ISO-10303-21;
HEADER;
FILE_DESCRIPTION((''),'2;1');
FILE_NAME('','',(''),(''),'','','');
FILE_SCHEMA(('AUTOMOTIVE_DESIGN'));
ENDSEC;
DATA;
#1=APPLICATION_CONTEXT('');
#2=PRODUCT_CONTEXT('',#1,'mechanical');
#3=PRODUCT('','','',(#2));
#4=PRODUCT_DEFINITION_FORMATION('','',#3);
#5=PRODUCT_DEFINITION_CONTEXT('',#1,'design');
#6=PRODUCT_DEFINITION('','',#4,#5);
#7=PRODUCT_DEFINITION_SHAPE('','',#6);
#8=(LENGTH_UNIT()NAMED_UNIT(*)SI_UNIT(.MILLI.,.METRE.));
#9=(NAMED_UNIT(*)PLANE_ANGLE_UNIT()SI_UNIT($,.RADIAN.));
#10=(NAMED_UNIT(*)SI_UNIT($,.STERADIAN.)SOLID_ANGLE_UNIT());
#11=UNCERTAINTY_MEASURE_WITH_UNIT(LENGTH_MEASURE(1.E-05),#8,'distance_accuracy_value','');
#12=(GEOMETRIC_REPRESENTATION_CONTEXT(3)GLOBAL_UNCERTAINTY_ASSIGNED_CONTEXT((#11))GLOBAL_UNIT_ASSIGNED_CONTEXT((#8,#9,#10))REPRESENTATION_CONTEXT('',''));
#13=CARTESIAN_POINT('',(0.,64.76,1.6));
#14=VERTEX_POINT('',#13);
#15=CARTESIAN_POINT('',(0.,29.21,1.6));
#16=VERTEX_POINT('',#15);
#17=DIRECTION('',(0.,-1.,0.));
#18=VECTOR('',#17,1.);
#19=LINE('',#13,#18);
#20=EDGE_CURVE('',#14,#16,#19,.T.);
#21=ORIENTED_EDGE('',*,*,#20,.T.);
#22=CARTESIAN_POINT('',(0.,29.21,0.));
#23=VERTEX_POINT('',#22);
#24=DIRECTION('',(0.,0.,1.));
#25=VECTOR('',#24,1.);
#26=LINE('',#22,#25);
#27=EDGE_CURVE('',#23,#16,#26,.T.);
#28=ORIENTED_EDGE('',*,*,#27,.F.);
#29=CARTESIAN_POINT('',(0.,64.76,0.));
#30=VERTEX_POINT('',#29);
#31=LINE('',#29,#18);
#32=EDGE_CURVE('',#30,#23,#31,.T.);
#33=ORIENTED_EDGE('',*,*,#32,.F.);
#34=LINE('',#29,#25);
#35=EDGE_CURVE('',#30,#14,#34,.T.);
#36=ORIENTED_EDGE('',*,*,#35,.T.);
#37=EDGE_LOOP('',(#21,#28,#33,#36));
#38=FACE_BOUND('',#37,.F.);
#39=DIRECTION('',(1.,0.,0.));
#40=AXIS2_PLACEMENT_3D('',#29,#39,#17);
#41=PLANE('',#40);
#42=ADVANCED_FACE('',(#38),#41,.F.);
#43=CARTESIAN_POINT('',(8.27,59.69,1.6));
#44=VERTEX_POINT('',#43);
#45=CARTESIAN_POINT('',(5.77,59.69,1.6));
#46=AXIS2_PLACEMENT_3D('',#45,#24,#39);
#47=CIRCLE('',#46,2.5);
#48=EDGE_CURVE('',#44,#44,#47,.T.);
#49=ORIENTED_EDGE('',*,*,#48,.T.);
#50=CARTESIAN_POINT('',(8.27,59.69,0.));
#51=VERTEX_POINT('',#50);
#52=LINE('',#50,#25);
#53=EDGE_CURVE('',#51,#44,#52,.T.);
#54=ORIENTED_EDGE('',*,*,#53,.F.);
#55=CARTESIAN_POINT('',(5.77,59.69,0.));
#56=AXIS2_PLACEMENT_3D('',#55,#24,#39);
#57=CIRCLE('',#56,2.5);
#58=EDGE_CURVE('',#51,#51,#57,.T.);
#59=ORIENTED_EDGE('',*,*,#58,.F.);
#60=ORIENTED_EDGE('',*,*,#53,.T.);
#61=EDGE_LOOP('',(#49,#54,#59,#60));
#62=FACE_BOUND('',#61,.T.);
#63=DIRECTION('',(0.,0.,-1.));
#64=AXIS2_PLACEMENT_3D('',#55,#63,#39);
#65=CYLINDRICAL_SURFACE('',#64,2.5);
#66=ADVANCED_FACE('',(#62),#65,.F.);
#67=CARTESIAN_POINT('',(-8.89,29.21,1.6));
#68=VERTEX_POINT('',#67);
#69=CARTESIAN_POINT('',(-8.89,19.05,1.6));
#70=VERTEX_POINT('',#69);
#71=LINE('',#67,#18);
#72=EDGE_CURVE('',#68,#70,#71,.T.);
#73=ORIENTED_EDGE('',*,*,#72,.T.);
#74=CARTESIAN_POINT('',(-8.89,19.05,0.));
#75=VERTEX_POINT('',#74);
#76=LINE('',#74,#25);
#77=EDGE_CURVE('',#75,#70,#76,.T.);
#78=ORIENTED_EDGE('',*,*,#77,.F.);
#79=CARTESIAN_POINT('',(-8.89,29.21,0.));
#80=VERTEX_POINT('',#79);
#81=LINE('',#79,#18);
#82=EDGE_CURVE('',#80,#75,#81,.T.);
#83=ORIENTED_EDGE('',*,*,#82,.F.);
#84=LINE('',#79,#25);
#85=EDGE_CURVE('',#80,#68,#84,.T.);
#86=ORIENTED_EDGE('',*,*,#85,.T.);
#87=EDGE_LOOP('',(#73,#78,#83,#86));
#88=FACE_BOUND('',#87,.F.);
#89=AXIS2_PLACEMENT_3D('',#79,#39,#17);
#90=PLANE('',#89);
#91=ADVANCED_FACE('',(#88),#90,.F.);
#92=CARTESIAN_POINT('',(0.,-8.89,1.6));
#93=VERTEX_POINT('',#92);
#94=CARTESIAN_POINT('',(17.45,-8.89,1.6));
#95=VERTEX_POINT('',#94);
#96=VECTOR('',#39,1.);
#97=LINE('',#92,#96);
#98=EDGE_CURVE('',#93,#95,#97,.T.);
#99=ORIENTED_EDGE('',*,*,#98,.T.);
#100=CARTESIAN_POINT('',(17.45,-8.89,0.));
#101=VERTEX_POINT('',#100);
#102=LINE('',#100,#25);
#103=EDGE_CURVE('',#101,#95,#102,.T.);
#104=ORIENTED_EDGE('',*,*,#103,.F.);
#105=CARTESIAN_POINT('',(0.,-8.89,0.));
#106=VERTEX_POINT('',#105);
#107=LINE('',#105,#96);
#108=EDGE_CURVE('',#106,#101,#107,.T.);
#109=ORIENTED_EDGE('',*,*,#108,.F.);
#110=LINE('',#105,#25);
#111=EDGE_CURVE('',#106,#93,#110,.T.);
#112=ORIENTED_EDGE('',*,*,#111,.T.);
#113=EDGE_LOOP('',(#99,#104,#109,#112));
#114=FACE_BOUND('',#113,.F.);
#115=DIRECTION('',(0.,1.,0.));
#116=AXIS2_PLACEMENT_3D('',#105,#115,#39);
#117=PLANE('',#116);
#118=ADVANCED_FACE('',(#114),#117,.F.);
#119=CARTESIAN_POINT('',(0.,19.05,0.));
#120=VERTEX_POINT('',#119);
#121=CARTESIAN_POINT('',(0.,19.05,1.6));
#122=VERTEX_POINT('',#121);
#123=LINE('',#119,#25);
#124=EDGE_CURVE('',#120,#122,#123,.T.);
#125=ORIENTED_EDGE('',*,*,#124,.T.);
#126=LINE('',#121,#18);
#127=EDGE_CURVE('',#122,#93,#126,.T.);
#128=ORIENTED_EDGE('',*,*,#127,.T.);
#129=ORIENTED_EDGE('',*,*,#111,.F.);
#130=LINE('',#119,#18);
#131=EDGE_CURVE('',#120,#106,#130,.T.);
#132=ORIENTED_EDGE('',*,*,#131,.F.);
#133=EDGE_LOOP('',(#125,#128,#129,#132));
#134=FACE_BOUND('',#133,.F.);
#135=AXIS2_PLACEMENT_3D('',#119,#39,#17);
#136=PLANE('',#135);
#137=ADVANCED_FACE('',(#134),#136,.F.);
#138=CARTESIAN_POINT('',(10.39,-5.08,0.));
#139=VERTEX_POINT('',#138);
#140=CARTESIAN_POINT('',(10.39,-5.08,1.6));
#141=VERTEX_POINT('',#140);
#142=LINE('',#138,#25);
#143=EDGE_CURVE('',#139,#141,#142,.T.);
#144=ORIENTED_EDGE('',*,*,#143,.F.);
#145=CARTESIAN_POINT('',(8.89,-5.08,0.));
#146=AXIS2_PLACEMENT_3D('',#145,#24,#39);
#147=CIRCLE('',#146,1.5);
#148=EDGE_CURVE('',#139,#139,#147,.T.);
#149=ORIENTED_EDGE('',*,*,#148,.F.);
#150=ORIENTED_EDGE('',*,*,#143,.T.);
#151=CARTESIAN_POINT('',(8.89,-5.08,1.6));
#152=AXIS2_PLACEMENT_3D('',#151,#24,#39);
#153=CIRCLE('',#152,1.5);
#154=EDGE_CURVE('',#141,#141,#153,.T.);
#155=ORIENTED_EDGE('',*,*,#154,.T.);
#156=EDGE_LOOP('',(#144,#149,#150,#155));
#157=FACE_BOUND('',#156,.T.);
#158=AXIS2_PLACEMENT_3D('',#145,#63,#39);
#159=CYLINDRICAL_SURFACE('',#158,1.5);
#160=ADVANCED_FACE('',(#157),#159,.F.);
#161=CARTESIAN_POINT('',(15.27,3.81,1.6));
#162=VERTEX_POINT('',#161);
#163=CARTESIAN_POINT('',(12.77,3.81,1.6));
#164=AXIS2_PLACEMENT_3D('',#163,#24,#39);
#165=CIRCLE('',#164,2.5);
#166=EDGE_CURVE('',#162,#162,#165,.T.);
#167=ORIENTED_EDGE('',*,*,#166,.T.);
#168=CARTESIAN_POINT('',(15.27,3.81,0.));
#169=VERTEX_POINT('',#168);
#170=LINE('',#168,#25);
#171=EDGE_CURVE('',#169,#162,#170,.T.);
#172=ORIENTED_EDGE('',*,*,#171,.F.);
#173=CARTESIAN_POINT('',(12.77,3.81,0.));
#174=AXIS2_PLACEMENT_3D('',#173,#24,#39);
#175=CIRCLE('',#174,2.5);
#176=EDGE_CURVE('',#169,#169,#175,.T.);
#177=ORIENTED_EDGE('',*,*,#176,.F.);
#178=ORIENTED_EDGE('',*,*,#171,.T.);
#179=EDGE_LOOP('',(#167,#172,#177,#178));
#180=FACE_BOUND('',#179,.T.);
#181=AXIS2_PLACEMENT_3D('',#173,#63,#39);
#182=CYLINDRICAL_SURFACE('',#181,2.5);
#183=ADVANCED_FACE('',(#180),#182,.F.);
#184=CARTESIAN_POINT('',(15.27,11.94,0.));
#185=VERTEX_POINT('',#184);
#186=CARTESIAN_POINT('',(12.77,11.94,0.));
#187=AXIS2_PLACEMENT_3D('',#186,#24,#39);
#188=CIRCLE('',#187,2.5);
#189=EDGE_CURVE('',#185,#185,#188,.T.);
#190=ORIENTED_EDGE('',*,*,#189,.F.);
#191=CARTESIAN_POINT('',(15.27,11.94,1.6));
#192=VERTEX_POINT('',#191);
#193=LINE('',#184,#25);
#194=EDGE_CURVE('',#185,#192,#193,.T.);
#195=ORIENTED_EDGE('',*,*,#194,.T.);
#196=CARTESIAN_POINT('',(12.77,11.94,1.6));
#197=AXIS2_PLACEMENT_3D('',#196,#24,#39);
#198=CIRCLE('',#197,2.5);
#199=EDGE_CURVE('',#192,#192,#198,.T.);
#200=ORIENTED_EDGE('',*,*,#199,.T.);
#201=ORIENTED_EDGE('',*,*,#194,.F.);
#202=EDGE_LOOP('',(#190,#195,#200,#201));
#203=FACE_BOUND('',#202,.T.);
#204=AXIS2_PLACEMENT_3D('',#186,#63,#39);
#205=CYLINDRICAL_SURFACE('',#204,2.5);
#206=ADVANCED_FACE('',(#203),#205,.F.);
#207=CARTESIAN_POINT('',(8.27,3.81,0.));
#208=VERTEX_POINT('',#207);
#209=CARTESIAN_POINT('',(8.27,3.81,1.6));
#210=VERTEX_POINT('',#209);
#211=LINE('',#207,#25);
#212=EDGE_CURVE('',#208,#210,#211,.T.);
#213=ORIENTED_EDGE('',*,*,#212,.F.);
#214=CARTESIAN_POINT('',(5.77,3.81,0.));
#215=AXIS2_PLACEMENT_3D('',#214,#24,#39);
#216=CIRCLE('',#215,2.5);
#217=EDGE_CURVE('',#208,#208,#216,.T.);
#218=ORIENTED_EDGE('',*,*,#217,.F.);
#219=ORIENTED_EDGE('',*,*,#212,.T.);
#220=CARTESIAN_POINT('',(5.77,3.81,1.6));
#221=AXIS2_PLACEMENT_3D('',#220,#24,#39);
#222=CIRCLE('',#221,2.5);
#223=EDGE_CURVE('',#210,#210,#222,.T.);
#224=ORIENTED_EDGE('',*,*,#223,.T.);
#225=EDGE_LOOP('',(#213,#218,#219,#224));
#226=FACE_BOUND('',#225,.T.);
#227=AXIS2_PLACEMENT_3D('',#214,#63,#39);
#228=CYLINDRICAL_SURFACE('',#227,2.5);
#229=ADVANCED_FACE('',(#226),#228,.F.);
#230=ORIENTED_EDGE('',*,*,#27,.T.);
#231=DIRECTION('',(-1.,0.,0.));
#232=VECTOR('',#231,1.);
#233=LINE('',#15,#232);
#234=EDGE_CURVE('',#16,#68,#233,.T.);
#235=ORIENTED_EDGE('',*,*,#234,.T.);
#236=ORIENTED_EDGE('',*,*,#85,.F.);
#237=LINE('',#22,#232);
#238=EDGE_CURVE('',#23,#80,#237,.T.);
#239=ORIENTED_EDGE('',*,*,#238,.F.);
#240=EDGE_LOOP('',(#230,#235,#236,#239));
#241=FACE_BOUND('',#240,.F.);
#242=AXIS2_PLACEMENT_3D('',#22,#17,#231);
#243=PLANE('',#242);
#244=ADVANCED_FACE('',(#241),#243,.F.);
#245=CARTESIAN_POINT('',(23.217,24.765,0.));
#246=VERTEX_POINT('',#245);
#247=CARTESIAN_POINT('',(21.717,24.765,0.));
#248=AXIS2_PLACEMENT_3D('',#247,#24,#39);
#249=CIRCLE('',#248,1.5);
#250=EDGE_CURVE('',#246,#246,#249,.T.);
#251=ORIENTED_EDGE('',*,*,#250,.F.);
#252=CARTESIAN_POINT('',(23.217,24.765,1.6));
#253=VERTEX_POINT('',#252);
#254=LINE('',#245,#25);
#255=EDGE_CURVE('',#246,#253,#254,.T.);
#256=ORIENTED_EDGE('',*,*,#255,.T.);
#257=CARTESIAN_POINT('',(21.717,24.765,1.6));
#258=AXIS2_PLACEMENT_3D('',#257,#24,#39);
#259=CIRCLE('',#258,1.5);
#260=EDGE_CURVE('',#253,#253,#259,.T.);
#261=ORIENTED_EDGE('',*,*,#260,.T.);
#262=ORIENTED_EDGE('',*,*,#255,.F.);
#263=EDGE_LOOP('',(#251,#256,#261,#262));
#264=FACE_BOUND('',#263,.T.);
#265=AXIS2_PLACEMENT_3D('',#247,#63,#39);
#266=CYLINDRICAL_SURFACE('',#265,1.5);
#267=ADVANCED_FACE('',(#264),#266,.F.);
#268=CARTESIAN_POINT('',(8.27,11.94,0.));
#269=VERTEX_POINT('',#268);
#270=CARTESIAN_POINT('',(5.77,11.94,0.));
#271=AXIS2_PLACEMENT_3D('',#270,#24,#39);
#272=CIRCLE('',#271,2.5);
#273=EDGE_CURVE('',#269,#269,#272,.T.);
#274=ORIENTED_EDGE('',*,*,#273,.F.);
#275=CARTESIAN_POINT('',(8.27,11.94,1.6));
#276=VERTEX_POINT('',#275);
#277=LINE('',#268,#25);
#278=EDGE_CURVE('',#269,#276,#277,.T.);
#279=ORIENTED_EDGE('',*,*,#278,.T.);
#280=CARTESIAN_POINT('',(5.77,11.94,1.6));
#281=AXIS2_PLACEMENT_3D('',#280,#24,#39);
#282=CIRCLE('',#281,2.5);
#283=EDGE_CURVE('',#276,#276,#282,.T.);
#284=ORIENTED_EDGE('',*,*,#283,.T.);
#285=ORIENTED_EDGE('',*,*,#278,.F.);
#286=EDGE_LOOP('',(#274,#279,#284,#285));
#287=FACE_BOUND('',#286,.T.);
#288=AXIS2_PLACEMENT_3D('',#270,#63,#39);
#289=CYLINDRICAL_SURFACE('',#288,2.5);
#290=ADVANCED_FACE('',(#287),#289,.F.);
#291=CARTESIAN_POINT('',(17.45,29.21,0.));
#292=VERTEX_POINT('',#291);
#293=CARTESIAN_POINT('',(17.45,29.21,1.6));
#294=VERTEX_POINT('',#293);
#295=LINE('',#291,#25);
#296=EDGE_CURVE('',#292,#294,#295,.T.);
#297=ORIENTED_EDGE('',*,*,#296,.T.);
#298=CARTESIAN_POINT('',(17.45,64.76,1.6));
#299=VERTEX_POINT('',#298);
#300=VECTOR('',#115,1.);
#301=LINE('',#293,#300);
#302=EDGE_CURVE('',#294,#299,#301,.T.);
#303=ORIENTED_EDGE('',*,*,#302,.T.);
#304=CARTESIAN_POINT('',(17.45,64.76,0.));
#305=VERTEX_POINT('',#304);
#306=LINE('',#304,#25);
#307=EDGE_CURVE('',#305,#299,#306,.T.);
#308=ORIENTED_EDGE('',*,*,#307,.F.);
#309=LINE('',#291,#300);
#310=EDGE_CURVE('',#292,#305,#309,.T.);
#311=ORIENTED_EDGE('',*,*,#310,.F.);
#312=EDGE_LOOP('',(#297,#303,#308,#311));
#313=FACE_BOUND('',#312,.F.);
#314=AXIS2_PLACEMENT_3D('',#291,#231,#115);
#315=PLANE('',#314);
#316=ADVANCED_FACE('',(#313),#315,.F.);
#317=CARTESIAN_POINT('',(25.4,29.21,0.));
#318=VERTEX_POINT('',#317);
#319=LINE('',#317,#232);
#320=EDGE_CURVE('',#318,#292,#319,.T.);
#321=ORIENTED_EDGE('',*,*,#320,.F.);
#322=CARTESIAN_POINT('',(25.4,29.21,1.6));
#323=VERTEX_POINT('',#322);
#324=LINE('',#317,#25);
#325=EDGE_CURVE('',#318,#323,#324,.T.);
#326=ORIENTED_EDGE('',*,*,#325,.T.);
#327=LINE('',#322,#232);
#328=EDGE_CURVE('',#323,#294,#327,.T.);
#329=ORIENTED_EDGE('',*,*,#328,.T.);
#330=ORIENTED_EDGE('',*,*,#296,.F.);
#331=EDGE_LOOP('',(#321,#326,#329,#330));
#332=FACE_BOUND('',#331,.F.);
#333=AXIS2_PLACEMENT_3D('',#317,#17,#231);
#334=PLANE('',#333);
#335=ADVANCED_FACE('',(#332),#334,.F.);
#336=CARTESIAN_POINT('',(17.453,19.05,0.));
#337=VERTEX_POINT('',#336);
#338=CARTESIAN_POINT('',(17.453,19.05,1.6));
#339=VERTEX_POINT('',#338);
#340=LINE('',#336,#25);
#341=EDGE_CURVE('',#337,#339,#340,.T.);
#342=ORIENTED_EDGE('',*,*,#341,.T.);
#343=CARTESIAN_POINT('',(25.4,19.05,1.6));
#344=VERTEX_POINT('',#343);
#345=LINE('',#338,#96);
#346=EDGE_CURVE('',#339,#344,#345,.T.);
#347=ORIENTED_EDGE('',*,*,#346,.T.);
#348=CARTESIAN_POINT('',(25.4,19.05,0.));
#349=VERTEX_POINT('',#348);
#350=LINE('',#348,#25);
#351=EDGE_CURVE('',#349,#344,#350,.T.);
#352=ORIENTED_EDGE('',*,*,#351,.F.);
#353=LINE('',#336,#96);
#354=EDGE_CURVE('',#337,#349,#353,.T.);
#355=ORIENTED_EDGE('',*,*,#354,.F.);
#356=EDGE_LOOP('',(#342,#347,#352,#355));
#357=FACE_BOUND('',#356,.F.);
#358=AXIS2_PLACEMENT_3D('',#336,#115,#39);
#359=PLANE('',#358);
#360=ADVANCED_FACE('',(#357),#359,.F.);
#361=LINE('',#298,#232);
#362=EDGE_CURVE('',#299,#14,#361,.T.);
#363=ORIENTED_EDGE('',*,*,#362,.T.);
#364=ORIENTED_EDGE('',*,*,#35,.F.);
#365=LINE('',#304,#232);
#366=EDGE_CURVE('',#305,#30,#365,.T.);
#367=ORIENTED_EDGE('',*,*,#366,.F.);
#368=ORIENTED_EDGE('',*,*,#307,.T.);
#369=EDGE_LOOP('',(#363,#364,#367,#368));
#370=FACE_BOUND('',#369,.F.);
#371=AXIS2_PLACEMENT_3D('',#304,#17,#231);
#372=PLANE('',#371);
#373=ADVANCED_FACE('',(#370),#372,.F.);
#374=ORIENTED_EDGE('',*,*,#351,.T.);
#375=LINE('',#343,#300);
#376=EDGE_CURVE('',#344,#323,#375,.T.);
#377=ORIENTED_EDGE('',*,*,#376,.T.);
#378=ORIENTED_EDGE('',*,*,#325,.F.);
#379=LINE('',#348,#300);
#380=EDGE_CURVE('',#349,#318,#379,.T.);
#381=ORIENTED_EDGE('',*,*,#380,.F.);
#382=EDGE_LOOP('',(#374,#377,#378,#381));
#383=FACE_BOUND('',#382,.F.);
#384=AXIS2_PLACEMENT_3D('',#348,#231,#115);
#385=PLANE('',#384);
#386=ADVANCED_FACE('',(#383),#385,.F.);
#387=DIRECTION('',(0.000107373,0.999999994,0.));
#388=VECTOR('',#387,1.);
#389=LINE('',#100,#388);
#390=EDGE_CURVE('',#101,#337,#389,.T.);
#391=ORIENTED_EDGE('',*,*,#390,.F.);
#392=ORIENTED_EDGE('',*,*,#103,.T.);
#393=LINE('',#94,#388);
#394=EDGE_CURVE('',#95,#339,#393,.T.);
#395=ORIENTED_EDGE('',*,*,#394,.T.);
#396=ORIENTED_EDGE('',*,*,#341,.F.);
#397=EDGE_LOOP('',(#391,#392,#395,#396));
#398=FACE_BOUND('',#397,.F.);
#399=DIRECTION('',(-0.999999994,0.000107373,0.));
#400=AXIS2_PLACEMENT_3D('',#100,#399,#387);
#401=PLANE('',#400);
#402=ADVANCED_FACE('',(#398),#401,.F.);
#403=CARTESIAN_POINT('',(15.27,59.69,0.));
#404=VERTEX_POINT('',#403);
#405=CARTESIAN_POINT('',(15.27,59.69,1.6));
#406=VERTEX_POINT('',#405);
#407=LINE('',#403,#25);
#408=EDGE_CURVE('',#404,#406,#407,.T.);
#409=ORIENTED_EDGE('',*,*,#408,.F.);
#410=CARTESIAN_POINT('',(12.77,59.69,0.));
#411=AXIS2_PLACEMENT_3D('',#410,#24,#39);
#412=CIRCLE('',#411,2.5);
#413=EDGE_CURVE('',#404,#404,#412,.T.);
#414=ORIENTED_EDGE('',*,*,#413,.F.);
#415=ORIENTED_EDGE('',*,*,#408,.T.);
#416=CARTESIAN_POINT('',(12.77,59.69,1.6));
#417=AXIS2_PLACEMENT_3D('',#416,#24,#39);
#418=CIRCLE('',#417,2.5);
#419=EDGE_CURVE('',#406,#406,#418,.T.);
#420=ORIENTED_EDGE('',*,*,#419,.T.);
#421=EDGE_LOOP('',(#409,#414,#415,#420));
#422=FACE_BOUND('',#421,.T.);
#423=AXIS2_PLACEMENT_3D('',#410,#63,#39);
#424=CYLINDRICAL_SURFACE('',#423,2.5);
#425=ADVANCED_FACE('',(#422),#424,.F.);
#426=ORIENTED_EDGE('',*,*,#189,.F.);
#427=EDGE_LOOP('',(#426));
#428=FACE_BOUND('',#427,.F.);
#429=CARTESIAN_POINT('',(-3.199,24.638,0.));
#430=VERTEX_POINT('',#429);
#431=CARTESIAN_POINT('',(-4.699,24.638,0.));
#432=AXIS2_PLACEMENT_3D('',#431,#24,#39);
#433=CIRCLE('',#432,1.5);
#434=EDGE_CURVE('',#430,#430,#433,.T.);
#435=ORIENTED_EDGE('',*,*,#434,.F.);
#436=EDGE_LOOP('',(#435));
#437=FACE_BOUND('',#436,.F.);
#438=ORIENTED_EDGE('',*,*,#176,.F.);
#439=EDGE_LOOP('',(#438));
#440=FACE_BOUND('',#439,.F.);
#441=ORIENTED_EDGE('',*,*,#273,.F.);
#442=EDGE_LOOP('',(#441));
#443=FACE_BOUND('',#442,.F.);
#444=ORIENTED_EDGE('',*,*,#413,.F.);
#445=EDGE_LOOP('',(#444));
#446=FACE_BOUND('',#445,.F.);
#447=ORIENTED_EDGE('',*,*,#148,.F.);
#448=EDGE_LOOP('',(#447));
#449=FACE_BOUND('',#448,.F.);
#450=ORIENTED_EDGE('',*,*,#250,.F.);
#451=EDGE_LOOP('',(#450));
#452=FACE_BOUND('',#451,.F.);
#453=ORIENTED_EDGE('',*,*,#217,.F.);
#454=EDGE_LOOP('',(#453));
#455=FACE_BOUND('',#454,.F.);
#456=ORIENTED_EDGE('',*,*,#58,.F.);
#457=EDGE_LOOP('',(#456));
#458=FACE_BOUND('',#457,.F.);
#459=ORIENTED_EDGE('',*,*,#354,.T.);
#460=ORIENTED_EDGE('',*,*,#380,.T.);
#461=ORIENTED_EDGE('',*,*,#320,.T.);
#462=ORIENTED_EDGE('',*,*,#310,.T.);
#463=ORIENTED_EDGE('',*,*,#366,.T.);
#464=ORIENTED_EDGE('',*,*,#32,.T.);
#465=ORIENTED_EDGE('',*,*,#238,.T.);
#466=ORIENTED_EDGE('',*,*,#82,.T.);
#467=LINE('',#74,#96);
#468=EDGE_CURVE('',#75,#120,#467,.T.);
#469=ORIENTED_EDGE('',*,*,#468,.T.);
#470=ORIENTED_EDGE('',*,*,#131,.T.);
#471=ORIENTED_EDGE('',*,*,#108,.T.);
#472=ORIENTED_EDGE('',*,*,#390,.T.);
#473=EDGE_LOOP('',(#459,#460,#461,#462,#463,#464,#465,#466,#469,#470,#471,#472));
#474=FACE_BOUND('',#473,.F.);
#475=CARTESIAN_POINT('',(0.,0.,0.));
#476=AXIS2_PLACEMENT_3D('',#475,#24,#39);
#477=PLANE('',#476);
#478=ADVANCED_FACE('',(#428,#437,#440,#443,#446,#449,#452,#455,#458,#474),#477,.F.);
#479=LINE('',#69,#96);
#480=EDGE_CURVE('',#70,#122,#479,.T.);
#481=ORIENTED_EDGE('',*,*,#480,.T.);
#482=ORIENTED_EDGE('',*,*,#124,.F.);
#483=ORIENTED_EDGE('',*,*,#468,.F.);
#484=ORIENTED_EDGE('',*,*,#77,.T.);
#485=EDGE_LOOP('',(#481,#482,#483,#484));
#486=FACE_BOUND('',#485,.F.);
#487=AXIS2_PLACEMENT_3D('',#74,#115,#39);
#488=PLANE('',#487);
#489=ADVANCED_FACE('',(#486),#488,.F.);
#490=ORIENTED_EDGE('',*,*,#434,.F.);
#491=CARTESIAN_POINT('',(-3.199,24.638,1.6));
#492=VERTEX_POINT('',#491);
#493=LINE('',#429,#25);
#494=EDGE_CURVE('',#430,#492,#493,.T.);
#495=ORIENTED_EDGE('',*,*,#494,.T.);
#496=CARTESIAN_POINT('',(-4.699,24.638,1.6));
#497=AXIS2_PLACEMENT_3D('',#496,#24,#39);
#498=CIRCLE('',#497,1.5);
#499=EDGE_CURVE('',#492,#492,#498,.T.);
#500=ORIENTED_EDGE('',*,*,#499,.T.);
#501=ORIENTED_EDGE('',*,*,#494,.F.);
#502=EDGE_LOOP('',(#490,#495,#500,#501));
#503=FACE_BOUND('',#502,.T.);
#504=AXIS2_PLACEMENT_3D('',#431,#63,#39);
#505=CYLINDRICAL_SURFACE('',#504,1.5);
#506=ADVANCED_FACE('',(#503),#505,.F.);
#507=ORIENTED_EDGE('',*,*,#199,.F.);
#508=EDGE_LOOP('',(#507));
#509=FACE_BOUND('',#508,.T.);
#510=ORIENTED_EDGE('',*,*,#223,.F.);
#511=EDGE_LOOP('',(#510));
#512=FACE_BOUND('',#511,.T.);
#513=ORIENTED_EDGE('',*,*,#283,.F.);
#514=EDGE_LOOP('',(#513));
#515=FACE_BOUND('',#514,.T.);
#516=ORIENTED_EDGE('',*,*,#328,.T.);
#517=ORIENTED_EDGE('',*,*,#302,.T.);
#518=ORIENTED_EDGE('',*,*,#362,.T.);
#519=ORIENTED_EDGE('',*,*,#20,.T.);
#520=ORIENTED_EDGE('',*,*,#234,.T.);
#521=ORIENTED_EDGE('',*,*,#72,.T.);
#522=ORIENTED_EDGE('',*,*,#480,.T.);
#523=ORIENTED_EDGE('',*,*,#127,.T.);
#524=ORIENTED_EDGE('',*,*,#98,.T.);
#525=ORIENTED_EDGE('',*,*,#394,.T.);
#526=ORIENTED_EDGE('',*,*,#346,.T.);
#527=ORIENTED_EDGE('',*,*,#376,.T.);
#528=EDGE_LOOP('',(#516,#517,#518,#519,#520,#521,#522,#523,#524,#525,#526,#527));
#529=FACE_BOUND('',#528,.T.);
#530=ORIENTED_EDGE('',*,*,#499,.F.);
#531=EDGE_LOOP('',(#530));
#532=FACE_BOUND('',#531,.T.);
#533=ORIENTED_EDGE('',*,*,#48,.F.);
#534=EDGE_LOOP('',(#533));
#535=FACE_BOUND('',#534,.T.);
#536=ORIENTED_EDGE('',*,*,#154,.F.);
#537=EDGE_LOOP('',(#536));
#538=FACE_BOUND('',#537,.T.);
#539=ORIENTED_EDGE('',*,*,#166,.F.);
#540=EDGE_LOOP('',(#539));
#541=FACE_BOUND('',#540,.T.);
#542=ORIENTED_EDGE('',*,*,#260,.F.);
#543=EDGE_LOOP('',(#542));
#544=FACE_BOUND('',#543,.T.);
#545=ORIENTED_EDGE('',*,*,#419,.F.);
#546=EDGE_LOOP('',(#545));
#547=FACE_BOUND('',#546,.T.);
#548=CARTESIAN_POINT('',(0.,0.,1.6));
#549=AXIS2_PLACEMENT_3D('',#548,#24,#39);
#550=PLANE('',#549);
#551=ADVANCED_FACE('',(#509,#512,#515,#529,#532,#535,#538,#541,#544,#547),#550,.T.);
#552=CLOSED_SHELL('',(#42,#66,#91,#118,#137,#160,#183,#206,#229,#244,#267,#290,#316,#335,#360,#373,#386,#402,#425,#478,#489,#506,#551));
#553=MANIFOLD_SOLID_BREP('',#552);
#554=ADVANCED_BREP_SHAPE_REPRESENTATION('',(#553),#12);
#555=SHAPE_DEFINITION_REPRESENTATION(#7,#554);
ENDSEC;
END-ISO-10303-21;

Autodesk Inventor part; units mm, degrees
ref_plane "YZ Plane" through (0, 0, 0) normal (1, 0, 0) x (0, 1, 0)
ref_plane "XZ Plane" through (0, 0, 0) normal (0, 1, 0) x (-1, 0, 0)
ref_plane "XY Plane" through (0, 0, 0) normal (0, 0, 1) x (1, 0, 0)
sketch "Эскиз1" plane through (0, 0, 0) normal (0, 0, 1) x (1, 0, 0)
  line L0 (0, -8.89) -> (17.45, -8.89)
  line L1 (17.45, -8.89) -> (17.453, 19.05)
  line L2 (17.453, 19.05) -> (25.4, 19.05)
  line L3 (25.4, 19.05) -> (25.4, 29.21)
  line L4 (25.4, 29.21) -> (17.45, 29.21)
  line L5 (17.45, 29.21) -> (17.45, 64.76)
  line L6 (17.45, 64.76) -> (0, 64.76)
  line L7 (0, 64.76) -> (0, 29.21)
  line L8 (0, 29.21) -> (-8.89, 29.21)
  line L9 (-8.89, 29.21) -> (-8.89, 19.05)
  line L10 (-8.89, 19.05) -> (0, 19.05)
  line L11 (0, 19.05) -> (0, -8.89)
  circle A0 centre (5.77, 3.81) radius 2.5
  circle A1 centre (12.77, 3.81) radius 2.5
  circle A2 centre (5.77, 11.94) radius 2.5
  circle A3 centre (12.77, 11.94) radius 2.5
  circle A4 centre (5.77, 59.69) radius 2.5
  circle A5 centre (12.77, 59.69) radius 2.5
  circle A6 centre (8.89, -5.08) radius 1.5
  circle A7 centre (-4.699, 24.638) radius 1.5
  circle A8 centre (21.717, 24.765) radius 1.5
extrude "xt60_pcb.brdКонтур" add sketch "Эскиз1" along normal blind 1.6
properties part number "xt60_pcb.brdКонтур"
